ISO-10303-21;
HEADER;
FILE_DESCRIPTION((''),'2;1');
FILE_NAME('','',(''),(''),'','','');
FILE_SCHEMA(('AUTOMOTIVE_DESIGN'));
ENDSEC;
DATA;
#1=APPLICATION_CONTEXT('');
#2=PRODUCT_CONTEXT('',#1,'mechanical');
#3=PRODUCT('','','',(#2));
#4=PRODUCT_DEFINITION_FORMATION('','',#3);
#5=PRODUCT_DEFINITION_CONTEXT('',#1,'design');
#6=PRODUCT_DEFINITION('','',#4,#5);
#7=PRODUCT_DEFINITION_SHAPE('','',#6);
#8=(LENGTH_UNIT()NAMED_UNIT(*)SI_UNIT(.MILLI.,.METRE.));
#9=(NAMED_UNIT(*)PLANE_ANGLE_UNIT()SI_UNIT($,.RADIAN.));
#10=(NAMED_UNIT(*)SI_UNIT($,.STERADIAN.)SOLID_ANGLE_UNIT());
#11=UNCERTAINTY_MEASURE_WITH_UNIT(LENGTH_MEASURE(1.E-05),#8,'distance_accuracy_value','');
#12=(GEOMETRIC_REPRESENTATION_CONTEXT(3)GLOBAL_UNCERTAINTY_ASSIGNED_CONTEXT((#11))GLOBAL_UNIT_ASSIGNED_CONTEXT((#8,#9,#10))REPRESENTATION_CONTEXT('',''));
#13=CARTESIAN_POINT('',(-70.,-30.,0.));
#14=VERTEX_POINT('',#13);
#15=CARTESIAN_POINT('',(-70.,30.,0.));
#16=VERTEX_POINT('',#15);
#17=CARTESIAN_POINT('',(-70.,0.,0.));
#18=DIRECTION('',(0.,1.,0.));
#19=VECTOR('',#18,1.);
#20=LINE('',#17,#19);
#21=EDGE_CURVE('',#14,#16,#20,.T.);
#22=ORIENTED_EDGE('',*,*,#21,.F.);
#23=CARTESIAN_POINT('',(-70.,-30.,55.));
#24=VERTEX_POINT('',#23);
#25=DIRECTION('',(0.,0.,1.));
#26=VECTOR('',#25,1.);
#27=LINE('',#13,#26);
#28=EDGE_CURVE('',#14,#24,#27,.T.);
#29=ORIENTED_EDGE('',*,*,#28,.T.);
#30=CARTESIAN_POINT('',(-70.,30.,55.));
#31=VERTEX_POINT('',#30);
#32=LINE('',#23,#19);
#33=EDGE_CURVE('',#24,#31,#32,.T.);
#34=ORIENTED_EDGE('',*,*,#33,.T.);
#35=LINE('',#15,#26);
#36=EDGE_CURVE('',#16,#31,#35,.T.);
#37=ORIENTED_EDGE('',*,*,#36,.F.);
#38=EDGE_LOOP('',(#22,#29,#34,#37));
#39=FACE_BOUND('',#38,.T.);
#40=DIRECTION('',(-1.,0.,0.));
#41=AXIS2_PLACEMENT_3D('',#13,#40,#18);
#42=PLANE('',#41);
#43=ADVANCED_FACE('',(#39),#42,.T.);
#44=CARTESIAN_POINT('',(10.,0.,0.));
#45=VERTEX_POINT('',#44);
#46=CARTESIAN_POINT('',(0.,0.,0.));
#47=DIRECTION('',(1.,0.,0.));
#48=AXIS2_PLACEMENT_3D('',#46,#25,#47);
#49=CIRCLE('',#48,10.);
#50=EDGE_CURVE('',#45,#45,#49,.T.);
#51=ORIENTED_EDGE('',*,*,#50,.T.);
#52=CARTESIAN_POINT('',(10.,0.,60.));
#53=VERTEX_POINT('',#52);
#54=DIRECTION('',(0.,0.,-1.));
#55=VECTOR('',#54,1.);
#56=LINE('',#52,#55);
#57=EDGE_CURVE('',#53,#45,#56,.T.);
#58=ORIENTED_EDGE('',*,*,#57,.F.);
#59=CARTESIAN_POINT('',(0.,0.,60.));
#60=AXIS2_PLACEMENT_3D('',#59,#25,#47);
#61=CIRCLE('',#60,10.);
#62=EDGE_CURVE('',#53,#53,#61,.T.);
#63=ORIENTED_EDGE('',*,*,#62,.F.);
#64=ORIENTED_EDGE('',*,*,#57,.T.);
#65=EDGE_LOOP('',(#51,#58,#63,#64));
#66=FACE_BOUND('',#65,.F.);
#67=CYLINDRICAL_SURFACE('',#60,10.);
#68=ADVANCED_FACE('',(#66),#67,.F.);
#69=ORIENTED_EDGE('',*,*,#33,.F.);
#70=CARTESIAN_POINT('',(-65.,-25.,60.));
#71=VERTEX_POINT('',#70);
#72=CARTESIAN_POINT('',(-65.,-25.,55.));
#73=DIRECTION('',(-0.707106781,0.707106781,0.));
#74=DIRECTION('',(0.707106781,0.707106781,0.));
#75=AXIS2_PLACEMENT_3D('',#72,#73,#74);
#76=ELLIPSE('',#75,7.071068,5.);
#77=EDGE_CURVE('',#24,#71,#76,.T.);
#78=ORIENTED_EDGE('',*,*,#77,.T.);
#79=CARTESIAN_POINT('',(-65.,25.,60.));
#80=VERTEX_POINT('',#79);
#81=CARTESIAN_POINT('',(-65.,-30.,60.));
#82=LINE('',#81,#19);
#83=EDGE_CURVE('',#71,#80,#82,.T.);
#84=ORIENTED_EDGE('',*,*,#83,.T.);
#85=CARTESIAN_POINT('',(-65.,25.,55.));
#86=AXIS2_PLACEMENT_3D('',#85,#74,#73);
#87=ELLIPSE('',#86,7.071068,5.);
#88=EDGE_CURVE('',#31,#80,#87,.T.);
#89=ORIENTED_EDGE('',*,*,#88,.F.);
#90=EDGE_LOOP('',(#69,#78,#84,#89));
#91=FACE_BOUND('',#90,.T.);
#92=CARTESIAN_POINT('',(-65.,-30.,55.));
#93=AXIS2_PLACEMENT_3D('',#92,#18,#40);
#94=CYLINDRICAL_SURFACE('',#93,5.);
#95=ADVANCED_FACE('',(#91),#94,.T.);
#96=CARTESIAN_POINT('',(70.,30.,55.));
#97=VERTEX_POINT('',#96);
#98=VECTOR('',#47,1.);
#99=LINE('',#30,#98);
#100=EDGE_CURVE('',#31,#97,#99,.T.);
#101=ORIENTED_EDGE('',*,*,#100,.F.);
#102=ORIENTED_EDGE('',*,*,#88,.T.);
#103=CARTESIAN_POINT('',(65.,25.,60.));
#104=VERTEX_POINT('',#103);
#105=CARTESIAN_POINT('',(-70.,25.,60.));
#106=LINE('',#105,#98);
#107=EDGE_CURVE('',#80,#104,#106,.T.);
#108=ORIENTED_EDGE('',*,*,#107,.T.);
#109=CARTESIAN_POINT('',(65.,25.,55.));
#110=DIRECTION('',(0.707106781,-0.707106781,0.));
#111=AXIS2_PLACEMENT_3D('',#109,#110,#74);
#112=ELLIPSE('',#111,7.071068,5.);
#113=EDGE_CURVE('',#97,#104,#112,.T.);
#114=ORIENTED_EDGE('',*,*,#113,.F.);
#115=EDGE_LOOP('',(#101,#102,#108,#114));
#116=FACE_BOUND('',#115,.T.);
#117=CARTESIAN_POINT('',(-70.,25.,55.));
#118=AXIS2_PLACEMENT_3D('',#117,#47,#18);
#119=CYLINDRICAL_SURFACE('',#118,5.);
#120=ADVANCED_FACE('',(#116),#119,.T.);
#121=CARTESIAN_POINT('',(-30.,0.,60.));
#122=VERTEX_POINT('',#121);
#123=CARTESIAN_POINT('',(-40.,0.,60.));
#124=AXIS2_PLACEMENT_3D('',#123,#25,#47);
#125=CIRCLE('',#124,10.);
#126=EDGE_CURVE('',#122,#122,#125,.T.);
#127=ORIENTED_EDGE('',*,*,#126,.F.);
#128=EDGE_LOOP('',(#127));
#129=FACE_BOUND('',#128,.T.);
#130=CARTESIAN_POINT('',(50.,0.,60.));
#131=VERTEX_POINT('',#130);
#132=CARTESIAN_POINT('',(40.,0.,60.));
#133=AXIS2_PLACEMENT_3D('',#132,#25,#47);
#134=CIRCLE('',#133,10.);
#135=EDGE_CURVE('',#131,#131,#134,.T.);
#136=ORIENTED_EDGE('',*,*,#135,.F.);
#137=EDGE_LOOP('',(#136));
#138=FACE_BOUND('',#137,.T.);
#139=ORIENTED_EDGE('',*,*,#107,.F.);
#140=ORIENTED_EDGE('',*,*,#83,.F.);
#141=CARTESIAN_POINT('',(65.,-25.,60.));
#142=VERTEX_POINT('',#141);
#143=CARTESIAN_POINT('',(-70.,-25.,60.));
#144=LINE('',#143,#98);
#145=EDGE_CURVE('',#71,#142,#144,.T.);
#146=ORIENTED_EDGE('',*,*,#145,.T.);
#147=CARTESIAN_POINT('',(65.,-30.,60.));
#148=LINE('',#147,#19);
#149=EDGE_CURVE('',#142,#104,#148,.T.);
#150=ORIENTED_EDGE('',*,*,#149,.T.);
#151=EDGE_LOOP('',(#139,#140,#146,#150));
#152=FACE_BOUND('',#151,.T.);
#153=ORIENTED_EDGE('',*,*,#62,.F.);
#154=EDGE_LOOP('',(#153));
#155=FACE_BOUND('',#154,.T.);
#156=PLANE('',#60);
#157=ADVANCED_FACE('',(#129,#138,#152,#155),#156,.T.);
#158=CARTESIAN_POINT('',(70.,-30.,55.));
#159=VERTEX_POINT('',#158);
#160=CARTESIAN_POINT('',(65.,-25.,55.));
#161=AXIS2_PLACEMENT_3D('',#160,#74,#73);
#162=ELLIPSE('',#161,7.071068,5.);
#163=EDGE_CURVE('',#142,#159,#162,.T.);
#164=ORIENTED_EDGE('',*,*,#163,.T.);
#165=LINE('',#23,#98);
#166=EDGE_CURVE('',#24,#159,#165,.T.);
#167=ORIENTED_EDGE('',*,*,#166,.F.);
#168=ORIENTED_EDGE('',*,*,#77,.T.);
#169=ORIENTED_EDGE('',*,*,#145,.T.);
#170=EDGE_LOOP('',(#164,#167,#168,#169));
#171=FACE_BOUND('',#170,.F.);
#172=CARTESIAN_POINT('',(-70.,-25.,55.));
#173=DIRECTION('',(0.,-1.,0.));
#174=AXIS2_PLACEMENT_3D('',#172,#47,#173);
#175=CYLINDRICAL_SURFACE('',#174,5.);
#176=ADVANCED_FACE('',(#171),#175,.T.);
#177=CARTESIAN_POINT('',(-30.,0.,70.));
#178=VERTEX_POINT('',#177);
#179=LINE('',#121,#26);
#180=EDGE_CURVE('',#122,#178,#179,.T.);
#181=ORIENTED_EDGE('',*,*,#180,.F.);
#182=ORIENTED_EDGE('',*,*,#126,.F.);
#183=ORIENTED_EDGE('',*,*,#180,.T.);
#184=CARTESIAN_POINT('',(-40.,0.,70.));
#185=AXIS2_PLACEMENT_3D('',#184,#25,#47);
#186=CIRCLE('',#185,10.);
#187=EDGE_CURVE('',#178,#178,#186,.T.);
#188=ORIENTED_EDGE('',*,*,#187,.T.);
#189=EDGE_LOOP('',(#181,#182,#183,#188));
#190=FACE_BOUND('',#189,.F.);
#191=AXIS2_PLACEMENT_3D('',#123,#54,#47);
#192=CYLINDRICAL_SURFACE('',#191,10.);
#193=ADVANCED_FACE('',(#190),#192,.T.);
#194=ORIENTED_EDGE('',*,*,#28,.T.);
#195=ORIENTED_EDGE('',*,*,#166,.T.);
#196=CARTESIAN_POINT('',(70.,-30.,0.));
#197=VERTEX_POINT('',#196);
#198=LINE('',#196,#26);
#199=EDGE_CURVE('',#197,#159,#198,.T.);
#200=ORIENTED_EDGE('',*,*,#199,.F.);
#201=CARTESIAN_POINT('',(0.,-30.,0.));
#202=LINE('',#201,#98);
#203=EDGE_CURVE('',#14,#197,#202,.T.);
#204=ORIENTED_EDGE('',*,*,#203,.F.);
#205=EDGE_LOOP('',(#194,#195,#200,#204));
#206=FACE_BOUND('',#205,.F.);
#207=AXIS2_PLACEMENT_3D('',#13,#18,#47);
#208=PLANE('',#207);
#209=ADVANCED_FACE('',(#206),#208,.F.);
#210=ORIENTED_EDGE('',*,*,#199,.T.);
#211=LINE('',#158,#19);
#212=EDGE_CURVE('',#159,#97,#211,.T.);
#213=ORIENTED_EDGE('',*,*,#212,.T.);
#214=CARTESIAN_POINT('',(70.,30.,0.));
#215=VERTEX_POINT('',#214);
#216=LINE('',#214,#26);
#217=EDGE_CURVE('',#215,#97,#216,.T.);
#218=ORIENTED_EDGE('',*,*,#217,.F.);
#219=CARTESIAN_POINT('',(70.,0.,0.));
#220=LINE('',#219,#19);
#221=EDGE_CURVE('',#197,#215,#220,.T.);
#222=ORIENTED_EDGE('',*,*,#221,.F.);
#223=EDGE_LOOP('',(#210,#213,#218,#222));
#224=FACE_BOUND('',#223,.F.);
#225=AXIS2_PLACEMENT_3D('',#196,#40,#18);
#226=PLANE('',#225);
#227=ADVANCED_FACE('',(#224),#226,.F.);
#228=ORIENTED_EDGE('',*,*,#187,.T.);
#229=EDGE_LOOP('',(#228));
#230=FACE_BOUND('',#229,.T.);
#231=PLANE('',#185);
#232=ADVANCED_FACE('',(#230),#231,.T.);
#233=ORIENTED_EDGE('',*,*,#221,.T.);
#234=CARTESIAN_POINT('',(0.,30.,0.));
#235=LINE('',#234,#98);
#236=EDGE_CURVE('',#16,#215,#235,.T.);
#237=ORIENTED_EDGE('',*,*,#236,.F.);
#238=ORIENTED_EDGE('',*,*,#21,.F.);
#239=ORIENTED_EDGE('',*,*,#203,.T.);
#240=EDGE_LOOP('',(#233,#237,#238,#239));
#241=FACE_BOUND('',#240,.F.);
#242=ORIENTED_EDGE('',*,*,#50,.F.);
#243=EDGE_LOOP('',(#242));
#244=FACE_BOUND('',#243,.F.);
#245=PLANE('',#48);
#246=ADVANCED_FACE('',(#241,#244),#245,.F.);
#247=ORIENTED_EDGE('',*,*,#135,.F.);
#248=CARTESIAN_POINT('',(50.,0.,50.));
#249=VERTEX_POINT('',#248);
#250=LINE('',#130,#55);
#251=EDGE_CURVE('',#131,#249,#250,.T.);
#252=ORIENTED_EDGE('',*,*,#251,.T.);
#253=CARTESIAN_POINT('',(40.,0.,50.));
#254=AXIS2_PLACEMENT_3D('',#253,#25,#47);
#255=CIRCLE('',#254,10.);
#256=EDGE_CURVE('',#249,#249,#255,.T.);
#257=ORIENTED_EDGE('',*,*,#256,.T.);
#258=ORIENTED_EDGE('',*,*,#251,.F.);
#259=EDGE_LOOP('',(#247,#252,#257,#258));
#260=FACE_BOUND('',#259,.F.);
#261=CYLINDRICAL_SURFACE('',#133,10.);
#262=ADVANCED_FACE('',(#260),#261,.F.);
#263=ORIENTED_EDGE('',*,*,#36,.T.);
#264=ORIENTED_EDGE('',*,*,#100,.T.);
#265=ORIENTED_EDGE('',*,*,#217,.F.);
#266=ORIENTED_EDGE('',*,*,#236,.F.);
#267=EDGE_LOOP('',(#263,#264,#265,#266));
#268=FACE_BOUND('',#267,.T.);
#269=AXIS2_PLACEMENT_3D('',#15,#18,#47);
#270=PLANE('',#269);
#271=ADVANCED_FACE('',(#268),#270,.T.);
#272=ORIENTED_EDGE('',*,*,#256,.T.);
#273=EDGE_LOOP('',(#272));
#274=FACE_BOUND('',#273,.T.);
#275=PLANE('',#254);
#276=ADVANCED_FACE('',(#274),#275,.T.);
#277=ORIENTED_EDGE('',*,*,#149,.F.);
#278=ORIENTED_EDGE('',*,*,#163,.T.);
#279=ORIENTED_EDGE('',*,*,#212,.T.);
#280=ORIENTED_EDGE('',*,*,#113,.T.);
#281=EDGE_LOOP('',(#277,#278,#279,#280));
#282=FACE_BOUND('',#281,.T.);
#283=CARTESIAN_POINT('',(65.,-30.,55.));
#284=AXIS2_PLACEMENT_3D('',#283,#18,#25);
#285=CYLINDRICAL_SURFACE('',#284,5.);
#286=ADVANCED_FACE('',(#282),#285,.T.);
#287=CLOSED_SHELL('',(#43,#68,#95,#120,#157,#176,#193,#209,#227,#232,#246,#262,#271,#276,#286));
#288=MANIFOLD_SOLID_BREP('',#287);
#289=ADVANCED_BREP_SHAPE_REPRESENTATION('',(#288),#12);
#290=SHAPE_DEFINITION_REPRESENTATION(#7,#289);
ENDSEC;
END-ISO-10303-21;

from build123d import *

# Parameters (mm, degrees)
F0_W     = 140
F0_H     = 60
F1_DEPTH = 60
F2_R     = 10
F5_DEPTH = 10
F3_R     = 10
F6_DEPTH = 10
F4_R     = 10
F7_DEPTH = 109.5
F8_R     = 5


with BuildPart() as f1:
    # F0 (on Top) → F1 (new body)
    with BuildSketch(Plane.XY):
        Rectangle(F0_W, F0_H)
    extrude(amount=F1_DEPTH)

    # F2 (on face) → F5 (join)
    with BuildSketch(Plane.XY.offset(60)):
        with Locations((-40, 0)):
            Circle(F2_R)
    extrude(amount=F5_DEPTH)

    # F3 (on face) → F6 (cut)
    with BuildSketch(Plane.XY.offset(60)):
        with Locations((40, 0)):
            Circle(F3_R)
    extrude(amount=-F6_DEPTH, mode=Mode.SUBTRACT)

    # F4 (on face) → F7 (cut)
    with BuildSketch(Plane.XY.offset(60)):
        Circle(F4_R)
    extrude(amount=-F7_DEPTH, mode=Mode.SUBTRACT)

    # F8
    f8_edges = [f1.edges().sort_by_distance(p)[0] for p in [
        (-70, 0, 60),
        (0, 30, 60),
        (70, 0, 60),
        (0, -30, 60),
    ]]
    fillet(f8_edges, radius=F8_R)


solid = f1.part
